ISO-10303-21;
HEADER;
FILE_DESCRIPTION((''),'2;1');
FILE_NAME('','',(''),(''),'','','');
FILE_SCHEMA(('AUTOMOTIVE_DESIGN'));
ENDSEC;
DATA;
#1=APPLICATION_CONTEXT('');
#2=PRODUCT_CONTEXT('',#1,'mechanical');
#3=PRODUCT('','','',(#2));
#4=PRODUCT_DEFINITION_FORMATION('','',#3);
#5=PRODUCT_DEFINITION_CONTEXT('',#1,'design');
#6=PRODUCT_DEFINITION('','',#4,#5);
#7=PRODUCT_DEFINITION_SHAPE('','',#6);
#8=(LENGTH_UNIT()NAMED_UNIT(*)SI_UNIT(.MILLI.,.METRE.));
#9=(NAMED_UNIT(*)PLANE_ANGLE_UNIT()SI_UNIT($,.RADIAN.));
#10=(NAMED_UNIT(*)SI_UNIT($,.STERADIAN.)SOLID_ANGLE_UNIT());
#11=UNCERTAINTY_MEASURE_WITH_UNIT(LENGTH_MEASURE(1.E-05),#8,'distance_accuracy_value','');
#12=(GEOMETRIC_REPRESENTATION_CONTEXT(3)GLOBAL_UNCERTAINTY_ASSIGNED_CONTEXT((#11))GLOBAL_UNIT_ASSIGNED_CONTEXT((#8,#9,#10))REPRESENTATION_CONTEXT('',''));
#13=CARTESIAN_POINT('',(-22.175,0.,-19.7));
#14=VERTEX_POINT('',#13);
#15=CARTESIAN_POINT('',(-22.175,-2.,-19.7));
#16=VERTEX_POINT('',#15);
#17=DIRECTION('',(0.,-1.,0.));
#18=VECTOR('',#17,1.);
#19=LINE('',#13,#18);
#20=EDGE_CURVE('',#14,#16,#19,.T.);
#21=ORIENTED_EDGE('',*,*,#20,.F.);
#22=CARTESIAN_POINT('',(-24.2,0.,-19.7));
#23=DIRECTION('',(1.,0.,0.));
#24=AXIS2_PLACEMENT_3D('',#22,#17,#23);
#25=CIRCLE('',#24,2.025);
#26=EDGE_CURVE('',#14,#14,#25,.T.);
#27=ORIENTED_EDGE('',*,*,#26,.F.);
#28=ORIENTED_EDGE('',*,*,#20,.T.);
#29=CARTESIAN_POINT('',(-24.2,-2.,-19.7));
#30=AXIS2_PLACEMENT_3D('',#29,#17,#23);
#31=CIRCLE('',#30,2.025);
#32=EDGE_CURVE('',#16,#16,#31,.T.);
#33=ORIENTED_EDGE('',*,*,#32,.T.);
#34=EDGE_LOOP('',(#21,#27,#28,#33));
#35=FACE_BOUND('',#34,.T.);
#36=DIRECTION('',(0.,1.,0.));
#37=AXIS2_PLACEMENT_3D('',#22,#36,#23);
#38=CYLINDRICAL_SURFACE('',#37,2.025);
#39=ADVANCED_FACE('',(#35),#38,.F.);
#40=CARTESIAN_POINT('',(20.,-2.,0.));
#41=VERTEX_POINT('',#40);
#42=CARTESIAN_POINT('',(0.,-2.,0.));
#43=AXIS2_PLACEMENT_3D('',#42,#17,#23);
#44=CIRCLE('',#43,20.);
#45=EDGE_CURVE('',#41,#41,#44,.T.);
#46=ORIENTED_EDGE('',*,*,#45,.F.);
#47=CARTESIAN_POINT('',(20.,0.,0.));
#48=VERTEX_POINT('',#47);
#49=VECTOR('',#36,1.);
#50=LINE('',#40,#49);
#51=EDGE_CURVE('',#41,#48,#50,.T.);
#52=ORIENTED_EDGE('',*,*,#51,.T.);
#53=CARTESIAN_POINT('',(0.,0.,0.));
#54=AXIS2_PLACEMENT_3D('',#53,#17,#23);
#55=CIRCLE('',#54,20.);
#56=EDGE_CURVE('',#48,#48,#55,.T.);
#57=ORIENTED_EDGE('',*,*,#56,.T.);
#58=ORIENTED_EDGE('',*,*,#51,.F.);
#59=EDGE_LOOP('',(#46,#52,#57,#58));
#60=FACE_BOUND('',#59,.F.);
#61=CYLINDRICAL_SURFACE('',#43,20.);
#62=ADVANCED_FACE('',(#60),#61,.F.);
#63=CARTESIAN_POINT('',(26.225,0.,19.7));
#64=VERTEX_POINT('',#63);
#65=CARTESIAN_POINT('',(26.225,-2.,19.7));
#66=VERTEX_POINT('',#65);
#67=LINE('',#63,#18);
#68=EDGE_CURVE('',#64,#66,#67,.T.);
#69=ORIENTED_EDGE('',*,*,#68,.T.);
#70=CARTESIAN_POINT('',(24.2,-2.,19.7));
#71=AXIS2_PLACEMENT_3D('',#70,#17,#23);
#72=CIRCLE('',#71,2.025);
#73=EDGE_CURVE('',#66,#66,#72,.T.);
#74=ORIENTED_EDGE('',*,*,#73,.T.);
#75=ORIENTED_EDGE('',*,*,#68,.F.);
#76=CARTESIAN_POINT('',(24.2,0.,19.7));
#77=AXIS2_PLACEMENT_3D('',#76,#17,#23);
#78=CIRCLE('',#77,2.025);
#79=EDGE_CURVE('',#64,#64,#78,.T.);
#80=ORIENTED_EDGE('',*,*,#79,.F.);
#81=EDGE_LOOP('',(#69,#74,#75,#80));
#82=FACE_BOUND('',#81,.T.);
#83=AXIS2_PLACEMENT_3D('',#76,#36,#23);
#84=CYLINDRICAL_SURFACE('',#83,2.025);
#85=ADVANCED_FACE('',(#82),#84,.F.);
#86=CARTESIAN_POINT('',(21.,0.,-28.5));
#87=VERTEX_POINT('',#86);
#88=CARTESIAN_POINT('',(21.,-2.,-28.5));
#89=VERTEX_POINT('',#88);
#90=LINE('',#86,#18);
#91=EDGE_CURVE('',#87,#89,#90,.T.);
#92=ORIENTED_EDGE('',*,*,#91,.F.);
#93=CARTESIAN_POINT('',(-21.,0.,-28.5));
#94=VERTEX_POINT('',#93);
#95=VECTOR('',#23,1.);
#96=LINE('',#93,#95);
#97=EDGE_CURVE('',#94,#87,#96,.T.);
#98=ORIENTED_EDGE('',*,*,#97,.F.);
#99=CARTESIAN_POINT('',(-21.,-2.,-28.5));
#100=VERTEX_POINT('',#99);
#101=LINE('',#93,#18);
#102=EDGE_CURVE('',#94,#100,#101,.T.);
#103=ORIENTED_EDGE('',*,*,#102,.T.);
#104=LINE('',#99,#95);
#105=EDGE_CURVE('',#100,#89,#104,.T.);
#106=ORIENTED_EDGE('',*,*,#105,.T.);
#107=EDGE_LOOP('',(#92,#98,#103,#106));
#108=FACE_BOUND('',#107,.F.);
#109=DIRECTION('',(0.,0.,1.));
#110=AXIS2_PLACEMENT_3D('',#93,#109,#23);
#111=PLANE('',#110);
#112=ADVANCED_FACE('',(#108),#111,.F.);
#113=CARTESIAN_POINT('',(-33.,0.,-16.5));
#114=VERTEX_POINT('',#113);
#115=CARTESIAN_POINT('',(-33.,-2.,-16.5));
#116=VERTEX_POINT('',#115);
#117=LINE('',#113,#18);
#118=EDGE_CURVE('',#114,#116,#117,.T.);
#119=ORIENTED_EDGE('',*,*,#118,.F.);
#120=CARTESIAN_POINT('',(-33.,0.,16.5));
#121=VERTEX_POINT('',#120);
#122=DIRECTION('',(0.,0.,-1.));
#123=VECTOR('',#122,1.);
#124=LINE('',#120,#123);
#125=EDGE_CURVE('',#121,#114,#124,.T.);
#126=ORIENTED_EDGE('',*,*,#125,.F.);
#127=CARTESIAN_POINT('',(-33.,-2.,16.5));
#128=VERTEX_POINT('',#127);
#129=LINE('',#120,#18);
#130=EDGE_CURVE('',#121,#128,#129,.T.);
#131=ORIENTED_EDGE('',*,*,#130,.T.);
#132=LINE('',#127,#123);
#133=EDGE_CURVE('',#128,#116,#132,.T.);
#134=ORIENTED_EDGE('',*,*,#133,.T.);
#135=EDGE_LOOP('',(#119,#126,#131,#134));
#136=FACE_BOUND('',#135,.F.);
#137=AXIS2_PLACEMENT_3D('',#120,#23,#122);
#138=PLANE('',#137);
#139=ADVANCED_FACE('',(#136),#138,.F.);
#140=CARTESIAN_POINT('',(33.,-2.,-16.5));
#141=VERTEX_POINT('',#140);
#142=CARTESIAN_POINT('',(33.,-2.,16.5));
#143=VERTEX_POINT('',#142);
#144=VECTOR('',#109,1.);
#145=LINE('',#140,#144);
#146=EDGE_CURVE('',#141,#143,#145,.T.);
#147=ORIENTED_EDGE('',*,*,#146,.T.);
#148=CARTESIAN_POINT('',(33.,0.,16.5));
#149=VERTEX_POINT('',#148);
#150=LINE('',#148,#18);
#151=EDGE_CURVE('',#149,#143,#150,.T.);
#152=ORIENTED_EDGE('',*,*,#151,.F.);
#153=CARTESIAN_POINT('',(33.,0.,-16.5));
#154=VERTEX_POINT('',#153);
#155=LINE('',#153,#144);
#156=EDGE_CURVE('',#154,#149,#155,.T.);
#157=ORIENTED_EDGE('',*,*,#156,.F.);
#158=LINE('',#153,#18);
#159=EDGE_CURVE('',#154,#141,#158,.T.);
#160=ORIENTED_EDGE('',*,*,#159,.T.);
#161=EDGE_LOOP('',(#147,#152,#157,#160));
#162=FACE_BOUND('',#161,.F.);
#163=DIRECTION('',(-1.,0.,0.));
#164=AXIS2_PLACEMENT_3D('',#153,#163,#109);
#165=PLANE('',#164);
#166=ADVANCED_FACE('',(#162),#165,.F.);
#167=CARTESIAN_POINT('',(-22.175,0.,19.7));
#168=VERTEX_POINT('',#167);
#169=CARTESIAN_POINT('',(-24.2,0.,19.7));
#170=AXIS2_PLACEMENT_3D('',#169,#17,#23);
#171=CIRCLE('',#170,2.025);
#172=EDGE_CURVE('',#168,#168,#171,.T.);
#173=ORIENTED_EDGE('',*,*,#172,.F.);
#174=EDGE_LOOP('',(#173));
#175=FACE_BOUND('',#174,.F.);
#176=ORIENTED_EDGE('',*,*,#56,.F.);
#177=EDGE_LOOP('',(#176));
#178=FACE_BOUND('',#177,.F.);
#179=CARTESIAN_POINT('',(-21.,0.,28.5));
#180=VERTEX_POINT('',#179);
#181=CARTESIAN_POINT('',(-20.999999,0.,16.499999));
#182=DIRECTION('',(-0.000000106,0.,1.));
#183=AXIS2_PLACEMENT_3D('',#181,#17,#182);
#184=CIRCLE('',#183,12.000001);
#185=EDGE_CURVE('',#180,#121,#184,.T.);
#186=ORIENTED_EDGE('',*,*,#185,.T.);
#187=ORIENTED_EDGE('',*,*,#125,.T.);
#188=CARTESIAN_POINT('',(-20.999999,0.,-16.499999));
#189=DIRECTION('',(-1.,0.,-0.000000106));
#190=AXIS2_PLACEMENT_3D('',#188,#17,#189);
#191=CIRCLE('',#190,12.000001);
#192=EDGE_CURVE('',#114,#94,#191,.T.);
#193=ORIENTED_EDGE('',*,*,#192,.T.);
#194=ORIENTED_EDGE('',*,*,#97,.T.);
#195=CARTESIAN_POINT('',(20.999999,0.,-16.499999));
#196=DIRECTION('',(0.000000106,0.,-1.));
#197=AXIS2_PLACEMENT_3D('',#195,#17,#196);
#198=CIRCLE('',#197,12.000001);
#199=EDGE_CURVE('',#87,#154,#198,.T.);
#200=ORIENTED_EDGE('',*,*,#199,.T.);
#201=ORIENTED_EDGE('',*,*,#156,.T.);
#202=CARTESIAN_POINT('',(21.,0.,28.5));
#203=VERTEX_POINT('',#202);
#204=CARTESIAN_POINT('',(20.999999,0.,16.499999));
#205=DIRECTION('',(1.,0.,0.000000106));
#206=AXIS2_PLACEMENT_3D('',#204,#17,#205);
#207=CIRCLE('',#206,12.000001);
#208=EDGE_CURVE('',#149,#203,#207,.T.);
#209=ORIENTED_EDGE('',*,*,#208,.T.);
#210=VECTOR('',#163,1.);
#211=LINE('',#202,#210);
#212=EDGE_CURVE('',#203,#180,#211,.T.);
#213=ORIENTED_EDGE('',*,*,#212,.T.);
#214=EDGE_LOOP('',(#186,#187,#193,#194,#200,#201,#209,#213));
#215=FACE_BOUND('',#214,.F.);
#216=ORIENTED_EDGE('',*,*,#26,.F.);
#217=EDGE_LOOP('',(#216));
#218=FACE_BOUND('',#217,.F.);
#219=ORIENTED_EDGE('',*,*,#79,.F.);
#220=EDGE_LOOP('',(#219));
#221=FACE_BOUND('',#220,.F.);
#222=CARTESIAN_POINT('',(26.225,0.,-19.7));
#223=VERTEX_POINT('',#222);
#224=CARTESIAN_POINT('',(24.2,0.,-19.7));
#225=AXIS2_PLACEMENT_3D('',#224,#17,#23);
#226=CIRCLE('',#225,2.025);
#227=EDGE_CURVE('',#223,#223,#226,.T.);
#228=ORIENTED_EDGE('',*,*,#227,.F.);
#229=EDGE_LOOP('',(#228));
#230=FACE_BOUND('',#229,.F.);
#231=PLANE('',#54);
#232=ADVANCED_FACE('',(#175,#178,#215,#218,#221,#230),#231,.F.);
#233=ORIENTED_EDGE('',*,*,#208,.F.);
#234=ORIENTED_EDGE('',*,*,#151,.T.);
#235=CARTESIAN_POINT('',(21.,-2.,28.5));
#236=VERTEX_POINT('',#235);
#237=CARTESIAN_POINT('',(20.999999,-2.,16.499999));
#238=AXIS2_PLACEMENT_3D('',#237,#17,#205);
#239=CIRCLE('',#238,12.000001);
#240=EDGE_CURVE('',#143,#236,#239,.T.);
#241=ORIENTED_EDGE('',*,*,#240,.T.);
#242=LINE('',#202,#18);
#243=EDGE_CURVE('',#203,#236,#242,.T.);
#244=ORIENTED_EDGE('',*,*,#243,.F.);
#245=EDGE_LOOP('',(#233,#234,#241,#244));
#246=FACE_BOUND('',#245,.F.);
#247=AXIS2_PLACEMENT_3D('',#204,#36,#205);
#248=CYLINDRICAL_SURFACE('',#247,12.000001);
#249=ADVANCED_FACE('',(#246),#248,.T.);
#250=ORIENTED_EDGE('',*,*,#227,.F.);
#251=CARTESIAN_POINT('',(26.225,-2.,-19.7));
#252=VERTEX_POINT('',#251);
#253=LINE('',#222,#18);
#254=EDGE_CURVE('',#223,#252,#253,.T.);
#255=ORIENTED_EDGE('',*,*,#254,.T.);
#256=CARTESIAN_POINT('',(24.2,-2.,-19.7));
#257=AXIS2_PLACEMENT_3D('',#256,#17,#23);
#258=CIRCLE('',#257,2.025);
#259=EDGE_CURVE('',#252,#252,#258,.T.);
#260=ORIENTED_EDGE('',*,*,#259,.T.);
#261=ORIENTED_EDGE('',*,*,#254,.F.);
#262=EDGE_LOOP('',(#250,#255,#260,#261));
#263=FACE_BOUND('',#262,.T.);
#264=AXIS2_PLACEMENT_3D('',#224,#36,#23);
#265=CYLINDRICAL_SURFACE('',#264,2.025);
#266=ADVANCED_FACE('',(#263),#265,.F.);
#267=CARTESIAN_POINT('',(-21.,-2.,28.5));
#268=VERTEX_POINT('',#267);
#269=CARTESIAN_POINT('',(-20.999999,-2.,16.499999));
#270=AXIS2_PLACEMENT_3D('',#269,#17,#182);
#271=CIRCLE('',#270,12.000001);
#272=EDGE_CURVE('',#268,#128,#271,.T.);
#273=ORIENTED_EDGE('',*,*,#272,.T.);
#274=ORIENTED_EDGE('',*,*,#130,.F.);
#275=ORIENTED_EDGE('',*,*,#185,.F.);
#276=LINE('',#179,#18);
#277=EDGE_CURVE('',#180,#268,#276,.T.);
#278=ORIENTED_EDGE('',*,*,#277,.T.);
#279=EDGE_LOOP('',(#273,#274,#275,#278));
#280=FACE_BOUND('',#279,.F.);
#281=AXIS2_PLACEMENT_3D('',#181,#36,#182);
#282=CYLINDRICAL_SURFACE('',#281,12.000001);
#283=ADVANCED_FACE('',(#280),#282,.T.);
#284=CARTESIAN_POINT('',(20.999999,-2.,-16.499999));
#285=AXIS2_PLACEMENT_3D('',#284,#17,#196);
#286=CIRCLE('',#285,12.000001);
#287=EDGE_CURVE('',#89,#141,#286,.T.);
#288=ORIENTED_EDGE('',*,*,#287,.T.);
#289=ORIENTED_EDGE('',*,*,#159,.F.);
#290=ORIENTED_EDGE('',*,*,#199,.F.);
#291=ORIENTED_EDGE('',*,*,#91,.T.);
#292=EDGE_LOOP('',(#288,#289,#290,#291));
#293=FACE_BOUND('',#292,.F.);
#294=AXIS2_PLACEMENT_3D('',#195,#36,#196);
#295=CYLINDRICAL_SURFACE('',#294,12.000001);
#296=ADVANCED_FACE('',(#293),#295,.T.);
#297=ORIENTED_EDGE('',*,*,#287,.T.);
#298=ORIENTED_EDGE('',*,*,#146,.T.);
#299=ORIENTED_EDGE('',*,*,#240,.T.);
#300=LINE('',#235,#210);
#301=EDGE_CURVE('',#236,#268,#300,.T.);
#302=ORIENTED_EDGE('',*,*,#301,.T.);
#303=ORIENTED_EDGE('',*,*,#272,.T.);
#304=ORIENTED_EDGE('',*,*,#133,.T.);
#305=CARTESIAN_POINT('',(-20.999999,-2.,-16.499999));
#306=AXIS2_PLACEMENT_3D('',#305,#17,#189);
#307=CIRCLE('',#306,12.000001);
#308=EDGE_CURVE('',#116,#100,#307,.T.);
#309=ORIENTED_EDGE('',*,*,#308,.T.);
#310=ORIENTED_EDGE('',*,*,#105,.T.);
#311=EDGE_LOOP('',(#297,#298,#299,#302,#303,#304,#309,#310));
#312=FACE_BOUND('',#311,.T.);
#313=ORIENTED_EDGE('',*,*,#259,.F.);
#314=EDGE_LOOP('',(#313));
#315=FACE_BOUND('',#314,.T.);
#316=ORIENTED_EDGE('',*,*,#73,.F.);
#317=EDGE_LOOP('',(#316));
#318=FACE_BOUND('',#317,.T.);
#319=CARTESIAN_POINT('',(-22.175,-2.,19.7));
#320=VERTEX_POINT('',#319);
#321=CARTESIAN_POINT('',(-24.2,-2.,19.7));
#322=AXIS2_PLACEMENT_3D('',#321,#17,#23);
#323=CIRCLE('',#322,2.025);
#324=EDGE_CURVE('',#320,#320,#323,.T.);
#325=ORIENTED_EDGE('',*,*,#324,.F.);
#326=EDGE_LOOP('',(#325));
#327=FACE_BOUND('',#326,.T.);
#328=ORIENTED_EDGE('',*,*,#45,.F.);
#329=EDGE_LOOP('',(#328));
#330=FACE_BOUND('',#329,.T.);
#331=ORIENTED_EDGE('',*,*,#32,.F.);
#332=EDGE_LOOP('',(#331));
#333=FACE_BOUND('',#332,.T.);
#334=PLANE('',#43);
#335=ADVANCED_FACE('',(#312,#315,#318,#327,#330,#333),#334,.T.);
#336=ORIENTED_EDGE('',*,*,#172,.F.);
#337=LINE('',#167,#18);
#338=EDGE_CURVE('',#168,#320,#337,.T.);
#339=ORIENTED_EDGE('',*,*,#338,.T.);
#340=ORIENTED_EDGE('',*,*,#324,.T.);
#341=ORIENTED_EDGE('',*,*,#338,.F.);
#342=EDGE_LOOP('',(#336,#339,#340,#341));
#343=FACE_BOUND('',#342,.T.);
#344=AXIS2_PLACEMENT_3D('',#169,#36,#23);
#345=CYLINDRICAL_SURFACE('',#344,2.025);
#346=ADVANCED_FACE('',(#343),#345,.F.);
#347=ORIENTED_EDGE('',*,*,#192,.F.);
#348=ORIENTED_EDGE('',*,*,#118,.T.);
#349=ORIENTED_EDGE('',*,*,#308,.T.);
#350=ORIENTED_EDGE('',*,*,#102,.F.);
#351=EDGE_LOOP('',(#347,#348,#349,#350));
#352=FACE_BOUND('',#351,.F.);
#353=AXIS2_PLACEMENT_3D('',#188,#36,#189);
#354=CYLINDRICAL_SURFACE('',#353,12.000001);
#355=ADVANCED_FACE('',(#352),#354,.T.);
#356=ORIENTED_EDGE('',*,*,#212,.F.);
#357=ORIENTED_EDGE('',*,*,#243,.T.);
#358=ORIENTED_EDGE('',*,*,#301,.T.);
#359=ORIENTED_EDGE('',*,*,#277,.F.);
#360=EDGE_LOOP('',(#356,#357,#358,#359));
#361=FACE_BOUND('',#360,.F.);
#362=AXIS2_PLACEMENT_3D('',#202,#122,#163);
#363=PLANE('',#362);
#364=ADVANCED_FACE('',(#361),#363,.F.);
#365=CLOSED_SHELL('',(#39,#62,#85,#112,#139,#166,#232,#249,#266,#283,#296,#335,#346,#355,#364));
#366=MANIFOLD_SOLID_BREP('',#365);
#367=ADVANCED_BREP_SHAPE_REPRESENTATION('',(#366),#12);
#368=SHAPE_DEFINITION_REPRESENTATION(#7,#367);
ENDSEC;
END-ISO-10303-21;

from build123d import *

# Parameters (mm, degrees)
F0_R     = 2.025
F1_DEPTH = 2
F2_R     = 20
F3_DEPTH = 25


with BuildPart() as f1:
    # F0 (on Front) → F1 (new body)
    with BuildSketch(Plane.XZ):
        with BuildLine():
            Line((-21, -28.5), (21, -28.5))
            ThreePointArc((21, -28.5), (29.485281, -24.985281), (33, -16.5))
            Line((33, -16.5), (33, 16.5))
            ThreePointArc((33, 16.5), (29.485281, 24.985281), (21, 28.5))
            Line((21, 28.5), (-21, 28.5))
            ThreePointArc((-21, 28.5), (-29.485281, 24.985281), (-33, 16.5))
            Line((-33, 16.5), (-33, -16.5))
            ThreePointArc((-33, -16.5), (-29.485281, -24.985281), (-21, -28.5))
        make_face()
        with Locations((-24.2, -19.7)):
            Circle(F0_R, mode=Mode.SUBTRACT)
        with Locations((24.2, -19.7)):
            Circle(F0_R, mode=Mode.SUBTRACT)
        with Locations((-24.2, 19.7)):
            Circle(F0_R, mode=Mode.SUBTRACT)
        with Locations((24.2, 19.7)):
            Circle(F0_R, mode=Mode.SUBTRACT)
    extrude(amount=F1_DEPTH)

    # F2 (on face) → F3 (cut)
    with BuildSketch(Plane.XZ.offset(2)):
        Circle(F2_R)
    extrude(amount=-F3_DEPTH, mode=Mode.SUBTRACT)


solid = f1.part
